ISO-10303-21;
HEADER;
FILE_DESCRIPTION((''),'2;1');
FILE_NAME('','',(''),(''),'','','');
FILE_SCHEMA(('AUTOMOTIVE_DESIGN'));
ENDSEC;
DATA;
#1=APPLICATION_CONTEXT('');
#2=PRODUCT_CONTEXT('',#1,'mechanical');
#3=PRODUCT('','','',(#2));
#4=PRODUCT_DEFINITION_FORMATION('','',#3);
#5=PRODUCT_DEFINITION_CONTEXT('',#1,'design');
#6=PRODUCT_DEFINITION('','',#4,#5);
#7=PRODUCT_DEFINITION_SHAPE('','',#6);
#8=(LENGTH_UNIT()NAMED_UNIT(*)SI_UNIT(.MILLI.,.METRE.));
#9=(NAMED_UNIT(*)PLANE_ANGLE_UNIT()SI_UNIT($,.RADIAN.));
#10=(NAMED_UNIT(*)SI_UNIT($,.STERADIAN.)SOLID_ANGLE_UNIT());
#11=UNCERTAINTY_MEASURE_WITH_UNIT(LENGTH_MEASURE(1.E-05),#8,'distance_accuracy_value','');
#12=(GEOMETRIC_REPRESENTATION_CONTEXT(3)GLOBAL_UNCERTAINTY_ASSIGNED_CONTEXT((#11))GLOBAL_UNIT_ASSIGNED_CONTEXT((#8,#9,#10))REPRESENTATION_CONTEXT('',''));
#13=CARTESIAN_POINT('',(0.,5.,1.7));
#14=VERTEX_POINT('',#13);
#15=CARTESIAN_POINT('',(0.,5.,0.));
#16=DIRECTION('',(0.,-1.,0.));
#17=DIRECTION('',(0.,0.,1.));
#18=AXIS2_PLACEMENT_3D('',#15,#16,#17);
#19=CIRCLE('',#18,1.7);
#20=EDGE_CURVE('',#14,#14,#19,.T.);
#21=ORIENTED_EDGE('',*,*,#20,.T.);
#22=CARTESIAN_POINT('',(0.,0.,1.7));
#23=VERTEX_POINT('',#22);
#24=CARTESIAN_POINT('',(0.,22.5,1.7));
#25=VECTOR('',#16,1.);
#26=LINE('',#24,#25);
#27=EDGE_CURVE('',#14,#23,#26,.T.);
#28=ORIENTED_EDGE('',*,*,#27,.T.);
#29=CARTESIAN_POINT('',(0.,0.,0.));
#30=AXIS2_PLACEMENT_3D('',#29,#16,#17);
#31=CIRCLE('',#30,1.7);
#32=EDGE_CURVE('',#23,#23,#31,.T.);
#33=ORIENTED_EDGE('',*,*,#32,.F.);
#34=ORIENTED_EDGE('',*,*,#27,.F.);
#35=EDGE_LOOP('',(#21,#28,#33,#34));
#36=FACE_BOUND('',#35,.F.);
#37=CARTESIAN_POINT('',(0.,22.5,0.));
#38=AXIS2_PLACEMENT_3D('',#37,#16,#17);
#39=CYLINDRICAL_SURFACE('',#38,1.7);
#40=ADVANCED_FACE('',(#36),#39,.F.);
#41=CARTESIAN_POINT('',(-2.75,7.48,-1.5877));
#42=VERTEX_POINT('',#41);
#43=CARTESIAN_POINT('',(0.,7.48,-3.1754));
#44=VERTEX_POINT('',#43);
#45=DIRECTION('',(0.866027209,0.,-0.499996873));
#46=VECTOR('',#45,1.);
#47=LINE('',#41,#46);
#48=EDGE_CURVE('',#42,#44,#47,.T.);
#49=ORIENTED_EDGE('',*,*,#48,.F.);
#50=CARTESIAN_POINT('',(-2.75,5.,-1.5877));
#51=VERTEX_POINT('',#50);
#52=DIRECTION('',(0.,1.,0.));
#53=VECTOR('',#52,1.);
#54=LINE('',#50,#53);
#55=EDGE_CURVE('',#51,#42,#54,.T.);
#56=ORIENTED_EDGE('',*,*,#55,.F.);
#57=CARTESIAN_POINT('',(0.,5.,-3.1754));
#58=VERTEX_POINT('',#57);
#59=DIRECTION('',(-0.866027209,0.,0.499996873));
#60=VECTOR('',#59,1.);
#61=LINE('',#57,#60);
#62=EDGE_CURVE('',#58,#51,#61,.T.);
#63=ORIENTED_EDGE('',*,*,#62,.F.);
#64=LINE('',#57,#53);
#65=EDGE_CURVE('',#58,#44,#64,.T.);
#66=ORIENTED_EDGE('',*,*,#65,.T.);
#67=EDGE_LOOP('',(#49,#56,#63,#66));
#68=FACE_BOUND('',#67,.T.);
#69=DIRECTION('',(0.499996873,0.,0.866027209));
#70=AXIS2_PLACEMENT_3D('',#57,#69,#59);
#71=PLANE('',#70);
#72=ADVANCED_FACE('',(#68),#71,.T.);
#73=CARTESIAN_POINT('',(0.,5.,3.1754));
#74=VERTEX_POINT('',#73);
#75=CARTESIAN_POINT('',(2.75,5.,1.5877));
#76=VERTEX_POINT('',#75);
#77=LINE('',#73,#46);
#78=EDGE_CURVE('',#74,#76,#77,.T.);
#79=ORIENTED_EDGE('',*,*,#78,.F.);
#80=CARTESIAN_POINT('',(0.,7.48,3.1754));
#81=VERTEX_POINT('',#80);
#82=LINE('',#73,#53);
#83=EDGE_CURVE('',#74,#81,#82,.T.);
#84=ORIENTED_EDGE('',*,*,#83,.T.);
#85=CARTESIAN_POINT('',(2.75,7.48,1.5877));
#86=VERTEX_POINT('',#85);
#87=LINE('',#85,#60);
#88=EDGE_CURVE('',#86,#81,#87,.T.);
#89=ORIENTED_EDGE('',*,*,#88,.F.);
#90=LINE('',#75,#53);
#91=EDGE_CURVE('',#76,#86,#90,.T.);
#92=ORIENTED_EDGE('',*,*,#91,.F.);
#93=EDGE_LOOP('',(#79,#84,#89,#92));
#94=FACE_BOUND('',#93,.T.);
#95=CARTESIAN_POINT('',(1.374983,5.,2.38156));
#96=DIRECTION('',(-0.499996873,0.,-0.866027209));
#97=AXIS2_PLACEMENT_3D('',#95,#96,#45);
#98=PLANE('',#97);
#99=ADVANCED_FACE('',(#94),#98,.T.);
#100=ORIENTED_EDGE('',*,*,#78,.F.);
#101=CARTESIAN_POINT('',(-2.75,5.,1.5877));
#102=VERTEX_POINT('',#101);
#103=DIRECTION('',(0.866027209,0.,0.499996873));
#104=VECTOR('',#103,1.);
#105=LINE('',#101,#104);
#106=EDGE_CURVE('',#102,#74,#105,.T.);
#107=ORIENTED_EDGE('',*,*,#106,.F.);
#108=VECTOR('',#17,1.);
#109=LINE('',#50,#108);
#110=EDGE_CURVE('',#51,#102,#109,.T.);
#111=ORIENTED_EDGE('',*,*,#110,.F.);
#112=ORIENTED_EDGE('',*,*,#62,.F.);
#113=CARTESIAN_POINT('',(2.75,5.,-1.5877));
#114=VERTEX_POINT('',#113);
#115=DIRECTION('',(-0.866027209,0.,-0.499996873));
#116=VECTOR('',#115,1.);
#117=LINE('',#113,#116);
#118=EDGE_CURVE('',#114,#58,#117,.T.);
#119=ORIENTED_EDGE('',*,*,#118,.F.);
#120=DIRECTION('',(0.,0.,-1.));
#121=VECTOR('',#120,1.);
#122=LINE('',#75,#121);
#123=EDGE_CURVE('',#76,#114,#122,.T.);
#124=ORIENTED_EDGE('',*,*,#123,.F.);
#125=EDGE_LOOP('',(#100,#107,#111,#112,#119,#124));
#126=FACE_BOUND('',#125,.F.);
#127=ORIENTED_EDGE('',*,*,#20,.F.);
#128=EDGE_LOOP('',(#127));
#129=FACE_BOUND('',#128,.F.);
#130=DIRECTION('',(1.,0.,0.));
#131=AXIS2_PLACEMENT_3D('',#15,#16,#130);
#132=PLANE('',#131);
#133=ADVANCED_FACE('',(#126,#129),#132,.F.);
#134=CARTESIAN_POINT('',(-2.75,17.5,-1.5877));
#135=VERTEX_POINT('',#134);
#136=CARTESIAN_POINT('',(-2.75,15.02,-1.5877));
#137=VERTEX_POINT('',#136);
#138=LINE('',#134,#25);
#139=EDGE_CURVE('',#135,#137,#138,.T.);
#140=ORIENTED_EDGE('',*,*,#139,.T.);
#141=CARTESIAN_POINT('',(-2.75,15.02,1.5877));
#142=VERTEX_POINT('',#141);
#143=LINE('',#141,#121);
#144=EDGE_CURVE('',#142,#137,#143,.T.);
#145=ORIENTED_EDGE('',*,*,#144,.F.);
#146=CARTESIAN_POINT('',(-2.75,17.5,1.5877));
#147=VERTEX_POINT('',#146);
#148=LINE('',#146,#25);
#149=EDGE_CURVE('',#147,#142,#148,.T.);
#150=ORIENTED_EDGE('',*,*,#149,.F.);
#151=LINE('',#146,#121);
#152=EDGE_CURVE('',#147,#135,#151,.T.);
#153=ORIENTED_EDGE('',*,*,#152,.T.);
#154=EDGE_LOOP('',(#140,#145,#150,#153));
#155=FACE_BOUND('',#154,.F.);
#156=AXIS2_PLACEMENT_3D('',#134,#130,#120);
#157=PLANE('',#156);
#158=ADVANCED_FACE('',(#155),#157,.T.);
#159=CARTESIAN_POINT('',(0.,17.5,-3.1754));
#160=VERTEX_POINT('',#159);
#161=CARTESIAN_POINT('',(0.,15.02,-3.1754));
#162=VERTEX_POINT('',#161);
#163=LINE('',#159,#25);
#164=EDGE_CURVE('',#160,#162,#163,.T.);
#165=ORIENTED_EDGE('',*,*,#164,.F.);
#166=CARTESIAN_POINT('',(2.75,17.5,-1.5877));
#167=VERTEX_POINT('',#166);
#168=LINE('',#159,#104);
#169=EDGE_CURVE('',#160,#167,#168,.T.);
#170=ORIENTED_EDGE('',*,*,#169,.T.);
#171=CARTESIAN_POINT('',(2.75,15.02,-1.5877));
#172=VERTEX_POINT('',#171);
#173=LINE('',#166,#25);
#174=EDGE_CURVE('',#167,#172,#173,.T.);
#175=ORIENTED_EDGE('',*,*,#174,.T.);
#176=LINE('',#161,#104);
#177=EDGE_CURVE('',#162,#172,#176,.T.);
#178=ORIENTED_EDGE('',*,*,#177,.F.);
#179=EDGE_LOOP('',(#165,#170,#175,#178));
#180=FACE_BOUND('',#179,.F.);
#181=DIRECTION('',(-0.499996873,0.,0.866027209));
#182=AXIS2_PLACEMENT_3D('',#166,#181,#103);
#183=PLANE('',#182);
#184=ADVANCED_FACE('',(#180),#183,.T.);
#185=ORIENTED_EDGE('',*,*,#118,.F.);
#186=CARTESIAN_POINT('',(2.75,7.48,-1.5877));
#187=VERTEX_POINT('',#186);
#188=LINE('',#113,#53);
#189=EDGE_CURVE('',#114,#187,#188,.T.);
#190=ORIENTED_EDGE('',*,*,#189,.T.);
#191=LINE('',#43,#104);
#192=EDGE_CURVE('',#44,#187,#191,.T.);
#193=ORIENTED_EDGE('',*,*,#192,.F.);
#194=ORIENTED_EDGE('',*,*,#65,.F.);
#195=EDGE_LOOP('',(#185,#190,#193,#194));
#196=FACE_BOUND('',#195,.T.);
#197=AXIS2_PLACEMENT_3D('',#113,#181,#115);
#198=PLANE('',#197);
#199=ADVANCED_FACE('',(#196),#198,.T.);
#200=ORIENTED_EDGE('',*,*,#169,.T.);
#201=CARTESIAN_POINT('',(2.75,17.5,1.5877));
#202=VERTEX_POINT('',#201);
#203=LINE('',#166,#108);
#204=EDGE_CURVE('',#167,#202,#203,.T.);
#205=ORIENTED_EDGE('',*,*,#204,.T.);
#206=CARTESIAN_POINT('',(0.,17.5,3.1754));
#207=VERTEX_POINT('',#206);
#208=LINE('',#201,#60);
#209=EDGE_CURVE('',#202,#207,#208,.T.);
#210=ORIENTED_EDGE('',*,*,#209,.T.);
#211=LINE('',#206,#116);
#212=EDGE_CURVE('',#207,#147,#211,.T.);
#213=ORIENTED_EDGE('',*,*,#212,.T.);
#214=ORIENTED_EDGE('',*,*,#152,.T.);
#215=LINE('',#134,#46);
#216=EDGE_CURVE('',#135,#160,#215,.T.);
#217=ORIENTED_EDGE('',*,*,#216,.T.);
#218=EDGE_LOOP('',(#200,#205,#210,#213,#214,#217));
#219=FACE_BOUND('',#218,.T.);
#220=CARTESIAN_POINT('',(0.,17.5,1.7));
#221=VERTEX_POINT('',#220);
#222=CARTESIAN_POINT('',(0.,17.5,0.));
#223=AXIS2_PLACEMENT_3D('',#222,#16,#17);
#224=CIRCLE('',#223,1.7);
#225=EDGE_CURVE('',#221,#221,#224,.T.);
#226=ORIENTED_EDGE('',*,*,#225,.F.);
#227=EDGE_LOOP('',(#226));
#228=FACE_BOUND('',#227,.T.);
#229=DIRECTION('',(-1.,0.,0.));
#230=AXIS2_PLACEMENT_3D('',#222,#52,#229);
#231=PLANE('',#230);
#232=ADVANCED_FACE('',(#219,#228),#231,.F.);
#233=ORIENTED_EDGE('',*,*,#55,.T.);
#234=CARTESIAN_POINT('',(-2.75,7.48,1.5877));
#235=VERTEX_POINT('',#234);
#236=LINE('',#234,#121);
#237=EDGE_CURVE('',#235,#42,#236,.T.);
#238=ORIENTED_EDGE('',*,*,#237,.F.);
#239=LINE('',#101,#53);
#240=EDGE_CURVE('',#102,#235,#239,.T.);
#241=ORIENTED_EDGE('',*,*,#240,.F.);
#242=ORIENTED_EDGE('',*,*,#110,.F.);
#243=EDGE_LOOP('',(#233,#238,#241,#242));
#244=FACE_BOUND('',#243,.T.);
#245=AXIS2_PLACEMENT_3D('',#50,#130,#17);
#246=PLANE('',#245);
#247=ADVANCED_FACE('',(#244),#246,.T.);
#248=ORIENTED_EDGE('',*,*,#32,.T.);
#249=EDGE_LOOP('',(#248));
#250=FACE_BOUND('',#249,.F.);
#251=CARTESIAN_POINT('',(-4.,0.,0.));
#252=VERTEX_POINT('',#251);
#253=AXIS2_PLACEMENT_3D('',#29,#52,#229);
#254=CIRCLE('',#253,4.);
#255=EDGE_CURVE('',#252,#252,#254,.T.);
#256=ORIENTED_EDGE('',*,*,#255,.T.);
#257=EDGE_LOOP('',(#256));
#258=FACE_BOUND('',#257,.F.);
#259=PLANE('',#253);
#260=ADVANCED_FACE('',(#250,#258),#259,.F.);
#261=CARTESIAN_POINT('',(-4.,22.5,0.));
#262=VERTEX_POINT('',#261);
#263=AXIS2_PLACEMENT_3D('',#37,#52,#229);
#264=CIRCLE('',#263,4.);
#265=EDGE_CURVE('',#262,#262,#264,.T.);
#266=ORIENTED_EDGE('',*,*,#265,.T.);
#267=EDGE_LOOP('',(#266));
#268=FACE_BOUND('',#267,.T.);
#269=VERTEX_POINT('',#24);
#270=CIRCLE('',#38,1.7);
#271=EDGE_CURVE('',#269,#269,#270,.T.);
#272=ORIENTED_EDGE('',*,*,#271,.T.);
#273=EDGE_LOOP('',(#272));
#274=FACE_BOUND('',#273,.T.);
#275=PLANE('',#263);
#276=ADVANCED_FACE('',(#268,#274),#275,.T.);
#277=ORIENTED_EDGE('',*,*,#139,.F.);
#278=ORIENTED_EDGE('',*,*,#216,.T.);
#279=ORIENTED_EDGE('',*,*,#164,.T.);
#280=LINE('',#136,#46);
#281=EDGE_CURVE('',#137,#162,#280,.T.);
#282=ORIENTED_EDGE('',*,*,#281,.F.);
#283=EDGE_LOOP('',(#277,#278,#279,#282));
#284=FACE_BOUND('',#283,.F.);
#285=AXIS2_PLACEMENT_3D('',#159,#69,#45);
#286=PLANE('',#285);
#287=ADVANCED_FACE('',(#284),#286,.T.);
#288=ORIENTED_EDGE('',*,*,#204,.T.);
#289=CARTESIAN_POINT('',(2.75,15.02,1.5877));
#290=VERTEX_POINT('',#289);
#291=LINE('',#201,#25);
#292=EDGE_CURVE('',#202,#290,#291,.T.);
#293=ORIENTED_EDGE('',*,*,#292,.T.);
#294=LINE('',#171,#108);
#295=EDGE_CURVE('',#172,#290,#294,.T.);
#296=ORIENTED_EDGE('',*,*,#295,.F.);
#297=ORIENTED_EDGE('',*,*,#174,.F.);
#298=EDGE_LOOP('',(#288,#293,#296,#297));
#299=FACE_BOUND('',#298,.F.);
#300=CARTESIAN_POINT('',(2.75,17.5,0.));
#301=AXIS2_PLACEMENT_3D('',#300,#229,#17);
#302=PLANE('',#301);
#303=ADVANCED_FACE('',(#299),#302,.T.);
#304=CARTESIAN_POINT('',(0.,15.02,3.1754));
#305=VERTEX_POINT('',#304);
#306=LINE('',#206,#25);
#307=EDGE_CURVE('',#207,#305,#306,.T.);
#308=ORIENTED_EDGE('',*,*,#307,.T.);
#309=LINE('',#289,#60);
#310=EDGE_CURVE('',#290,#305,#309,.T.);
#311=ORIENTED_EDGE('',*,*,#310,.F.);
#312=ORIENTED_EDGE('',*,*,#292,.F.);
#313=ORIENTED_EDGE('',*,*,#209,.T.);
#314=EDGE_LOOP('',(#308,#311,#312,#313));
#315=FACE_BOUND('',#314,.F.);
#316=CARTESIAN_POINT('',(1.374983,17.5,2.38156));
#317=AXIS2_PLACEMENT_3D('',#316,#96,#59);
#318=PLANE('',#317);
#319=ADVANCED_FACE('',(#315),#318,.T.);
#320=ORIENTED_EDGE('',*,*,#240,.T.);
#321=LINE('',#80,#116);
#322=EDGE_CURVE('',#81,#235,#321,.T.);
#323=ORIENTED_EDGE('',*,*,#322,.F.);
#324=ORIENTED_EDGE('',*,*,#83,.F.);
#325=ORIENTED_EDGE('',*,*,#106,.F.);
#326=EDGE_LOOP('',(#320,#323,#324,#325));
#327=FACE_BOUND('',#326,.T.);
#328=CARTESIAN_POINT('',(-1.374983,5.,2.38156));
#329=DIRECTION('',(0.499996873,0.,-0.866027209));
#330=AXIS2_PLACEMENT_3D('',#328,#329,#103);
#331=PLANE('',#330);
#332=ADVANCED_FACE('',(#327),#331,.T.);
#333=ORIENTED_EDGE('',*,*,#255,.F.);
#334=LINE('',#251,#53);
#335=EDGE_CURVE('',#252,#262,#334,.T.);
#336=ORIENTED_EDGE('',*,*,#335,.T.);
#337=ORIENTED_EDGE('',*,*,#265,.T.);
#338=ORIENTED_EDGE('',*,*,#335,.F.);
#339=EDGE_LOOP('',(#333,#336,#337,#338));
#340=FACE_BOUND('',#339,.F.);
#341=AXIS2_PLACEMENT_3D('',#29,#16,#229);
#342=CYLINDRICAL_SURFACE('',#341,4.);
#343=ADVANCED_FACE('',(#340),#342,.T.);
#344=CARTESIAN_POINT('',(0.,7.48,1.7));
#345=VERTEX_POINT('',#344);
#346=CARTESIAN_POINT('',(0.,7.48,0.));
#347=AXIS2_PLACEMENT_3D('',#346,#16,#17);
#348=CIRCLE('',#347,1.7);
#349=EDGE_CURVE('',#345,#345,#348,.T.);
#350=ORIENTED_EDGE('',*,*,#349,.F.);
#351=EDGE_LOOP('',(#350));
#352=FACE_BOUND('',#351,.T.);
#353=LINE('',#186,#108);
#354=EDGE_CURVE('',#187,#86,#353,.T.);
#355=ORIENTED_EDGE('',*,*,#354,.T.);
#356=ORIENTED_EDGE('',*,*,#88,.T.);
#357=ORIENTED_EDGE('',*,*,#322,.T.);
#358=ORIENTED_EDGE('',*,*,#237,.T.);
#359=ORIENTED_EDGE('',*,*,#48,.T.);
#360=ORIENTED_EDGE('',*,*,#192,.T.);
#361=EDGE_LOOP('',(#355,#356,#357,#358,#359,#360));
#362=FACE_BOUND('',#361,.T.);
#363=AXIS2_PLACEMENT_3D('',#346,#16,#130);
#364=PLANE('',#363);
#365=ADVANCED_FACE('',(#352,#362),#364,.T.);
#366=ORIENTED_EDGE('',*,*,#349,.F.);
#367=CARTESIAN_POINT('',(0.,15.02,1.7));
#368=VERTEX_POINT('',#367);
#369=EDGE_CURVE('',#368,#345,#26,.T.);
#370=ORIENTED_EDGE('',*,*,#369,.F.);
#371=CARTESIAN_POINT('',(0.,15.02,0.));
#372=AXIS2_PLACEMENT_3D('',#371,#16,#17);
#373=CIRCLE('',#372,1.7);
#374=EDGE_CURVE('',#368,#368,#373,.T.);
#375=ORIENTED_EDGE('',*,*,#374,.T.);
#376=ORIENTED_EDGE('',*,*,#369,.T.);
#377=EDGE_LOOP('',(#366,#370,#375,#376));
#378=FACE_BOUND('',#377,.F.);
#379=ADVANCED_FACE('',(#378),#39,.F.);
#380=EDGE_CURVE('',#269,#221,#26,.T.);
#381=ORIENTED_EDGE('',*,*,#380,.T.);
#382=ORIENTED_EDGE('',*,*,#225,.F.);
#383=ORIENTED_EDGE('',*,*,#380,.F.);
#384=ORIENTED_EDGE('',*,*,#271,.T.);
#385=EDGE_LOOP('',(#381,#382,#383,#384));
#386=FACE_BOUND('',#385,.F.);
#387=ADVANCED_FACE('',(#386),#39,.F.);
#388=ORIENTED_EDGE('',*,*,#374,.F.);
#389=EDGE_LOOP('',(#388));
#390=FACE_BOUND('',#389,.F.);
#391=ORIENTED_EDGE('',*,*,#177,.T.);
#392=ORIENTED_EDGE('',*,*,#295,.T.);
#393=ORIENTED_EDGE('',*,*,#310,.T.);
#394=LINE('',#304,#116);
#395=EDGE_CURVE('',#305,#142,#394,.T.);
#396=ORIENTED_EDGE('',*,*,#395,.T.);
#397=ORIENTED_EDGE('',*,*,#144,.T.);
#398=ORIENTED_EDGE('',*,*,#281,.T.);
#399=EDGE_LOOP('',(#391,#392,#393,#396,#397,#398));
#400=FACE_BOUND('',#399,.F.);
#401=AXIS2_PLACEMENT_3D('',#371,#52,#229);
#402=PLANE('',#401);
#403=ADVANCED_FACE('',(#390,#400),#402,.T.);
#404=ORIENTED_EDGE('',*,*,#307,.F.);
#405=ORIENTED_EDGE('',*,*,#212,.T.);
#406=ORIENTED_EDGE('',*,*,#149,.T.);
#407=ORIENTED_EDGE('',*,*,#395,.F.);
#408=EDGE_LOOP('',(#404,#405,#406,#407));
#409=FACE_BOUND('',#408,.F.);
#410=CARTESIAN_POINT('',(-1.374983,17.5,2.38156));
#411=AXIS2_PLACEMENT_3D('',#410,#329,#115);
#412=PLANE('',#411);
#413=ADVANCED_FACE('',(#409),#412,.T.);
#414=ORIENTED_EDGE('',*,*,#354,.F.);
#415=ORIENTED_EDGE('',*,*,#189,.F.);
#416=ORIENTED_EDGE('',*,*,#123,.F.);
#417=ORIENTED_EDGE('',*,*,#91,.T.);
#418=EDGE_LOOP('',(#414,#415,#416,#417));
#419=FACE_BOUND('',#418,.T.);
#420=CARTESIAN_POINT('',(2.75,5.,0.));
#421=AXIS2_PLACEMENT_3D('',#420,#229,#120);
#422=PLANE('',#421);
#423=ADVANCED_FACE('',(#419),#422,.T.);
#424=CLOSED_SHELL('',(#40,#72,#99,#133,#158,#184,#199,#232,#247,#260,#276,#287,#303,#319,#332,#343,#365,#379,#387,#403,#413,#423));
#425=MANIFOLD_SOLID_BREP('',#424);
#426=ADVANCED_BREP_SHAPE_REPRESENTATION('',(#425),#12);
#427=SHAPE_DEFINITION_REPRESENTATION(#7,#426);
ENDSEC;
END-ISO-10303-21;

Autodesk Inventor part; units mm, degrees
ref_plane "YZ Plane" through (0, 0, 0) normal (1, 0, 0) x (0, 1, 0)
ref_plane "XZ Plane" through (0, 0, 0) normal (0, 1, 0) x (-1, 0, 0)
ref_plane "XY Plane" through (0, 0, 0) normal (0, 0, 1) x (1, 0, 0)
sketch "Sketch1" plane through (0, 0, 0) normal (0, 1, 0) x (-1, 0, 0)
  circle A0 centre (0, 0) radius 4
  dimension "d0" = 8
extrude "Extrusion1" add sketch "Sketch1" along normal blind 22.5
sketch "Sketch2" plane through (0, 22.5, 0) normal (0, 1, 0) x (1, 0, 0)
  point P0 (0, 0)
  point P1 (0, 0)
hole "Hole1" at (0, 22.5, 0) direction (0, -1, 0) diameter 3.4 end through all clearance for "Socket Head Cap Screw ISO 4762" size "M3" standard "ISO"
ref_plane "Work Plane1" through (0, 11.25, 0) normal (0, 1, 0) x (1, 0, 0)
mirror "Mirror1" about plane through (0, 11.25, 0) normal (0, 1, 0) of "Hole1"
ref_plane "Work Plane2" through (0, 5, 0) normal (0, -1, 0) x (1, 0, 0)
sketch "Sketch3" plane through (0, 5, 0) normal (0, -1, 0) x (1, 0, 0)
  circle A0 centre (0, 0) radius 2.75
  line L0 (-2.75, 1.5877) -> (0, 3.1754)
  line L1 (0, 3.1754) -> (2.75, 1.5877)
  line L2 (2.75, 1.5877) -> (2.75, -1.5877)
  line L3 (2.75, -1.5877) -> (0, -3.1754)
  line L4 (0, -3.1754) -> (-2.75, -1.5877)
  line L5 (-2.75, -1.5877) -> (-2.75, 1.5877)
  point P0 (-2.75, 0)
  dimension "d11" = 5.5
extrude "Extrusion2" cut sketch "Sketch3" against normal blind 2.48
mirror "Mirror2" about plane through (0, 11.25, 0) normal (0, 1, 0) of "Extrusion2"
properties part number "rod mount motor  for print"
